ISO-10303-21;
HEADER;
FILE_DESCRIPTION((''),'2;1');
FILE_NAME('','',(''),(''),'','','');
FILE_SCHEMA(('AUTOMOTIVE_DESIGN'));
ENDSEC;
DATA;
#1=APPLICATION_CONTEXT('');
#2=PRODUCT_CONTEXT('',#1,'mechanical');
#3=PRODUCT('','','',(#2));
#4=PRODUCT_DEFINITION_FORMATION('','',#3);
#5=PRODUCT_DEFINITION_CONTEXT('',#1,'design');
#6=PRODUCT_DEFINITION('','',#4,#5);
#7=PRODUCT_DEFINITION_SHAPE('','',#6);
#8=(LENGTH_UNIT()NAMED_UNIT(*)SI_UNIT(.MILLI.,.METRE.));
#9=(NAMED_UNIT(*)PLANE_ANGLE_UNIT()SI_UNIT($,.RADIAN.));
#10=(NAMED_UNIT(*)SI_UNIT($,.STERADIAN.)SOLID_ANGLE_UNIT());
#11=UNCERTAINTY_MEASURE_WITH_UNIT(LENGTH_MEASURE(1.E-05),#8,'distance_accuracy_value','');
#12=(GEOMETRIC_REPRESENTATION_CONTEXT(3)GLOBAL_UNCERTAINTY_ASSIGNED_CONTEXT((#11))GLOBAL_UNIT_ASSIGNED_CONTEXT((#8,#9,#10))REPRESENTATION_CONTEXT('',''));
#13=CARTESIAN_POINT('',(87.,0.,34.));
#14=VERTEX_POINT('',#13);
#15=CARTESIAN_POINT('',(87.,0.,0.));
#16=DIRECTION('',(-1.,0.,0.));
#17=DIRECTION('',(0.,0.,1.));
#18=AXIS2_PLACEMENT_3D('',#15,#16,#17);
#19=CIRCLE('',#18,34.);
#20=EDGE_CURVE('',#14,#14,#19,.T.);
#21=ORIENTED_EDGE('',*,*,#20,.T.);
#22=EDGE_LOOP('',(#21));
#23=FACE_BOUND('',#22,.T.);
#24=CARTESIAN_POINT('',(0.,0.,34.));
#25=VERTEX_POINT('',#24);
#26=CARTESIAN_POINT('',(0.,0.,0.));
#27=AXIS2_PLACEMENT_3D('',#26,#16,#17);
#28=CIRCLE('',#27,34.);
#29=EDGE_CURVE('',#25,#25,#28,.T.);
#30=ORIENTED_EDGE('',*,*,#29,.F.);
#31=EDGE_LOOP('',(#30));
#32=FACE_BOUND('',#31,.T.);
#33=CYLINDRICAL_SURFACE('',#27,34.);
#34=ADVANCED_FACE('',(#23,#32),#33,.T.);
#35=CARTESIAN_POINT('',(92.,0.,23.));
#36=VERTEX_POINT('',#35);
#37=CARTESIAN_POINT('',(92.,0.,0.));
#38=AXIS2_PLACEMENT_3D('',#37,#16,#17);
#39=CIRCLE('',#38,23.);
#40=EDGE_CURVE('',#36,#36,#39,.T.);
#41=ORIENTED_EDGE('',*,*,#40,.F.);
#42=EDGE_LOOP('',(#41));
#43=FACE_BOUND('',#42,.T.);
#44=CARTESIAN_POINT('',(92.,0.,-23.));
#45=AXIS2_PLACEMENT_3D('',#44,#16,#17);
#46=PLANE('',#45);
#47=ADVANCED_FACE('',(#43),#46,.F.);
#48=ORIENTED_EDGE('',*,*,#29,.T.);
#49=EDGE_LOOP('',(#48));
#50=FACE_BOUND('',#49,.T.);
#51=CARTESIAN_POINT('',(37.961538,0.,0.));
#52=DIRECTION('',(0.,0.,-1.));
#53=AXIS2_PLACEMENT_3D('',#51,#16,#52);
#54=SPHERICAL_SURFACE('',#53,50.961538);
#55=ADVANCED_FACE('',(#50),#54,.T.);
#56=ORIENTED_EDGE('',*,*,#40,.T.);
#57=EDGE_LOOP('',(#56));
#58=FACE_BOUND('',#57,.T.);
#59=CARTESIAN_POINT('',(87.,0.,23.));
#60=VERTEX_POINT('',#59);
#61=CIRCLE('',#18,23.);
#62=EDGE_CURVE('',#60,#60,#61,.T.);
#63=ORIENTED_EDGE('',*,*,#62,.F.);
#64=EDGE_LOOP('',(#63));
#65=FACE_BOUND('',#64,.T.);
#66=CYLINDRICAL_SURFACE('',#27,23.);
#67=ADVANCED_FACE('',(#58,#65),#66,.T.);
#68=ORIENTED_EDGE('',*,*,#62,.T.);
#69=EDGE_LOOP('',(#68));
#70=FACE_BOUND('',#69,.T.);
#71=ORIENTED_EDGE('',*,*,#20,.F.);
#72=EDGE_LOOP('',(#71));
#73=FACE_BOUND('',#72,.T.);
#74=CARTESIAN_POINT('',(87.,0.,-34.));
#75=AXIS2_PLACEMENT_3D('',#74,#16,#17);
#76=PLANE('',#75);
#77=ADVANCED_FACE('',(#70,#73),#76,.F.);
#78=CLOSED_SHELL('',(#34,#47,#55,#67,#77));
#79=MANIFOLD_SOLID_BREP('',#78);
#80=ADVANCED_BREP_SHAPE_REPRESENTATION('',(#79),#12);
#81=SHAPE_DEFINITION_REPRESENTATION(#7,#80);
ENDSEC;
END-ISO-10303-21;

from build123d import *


with BuildPart() as part:
    # Sketch1 → Revolve1 (revolve)
    with BuildSketch(Plane(origin=(0, 0, 0), x_dir=(1, 0, 0), z_dir=(0, 1, 0)), mode=Mode.PRIVATE) as revolve1_sk:
        with BuildLine():
            Line((87, 23), (92, 23))
            Line((92, 23), (92, 0))
            Line((92, 0), (87, 0))
            Line((87, 0), (0, 0))
            Line((0, 0), (-13, 0))
            ThreePointArc((-13, 0), (-9.639180045, 18.200274723), (0, 34))
            Line((0, 34), (87, 34))
            Line((87, 34), (87, 23))
        make_face()
    revolve(revolve1_sk.sketch.rotate(Axis((0, 0, 0), (1, 0, 0)), 180), axis=Axis((0, 0, 0), (1, 0, 0)))


solid = part.part
